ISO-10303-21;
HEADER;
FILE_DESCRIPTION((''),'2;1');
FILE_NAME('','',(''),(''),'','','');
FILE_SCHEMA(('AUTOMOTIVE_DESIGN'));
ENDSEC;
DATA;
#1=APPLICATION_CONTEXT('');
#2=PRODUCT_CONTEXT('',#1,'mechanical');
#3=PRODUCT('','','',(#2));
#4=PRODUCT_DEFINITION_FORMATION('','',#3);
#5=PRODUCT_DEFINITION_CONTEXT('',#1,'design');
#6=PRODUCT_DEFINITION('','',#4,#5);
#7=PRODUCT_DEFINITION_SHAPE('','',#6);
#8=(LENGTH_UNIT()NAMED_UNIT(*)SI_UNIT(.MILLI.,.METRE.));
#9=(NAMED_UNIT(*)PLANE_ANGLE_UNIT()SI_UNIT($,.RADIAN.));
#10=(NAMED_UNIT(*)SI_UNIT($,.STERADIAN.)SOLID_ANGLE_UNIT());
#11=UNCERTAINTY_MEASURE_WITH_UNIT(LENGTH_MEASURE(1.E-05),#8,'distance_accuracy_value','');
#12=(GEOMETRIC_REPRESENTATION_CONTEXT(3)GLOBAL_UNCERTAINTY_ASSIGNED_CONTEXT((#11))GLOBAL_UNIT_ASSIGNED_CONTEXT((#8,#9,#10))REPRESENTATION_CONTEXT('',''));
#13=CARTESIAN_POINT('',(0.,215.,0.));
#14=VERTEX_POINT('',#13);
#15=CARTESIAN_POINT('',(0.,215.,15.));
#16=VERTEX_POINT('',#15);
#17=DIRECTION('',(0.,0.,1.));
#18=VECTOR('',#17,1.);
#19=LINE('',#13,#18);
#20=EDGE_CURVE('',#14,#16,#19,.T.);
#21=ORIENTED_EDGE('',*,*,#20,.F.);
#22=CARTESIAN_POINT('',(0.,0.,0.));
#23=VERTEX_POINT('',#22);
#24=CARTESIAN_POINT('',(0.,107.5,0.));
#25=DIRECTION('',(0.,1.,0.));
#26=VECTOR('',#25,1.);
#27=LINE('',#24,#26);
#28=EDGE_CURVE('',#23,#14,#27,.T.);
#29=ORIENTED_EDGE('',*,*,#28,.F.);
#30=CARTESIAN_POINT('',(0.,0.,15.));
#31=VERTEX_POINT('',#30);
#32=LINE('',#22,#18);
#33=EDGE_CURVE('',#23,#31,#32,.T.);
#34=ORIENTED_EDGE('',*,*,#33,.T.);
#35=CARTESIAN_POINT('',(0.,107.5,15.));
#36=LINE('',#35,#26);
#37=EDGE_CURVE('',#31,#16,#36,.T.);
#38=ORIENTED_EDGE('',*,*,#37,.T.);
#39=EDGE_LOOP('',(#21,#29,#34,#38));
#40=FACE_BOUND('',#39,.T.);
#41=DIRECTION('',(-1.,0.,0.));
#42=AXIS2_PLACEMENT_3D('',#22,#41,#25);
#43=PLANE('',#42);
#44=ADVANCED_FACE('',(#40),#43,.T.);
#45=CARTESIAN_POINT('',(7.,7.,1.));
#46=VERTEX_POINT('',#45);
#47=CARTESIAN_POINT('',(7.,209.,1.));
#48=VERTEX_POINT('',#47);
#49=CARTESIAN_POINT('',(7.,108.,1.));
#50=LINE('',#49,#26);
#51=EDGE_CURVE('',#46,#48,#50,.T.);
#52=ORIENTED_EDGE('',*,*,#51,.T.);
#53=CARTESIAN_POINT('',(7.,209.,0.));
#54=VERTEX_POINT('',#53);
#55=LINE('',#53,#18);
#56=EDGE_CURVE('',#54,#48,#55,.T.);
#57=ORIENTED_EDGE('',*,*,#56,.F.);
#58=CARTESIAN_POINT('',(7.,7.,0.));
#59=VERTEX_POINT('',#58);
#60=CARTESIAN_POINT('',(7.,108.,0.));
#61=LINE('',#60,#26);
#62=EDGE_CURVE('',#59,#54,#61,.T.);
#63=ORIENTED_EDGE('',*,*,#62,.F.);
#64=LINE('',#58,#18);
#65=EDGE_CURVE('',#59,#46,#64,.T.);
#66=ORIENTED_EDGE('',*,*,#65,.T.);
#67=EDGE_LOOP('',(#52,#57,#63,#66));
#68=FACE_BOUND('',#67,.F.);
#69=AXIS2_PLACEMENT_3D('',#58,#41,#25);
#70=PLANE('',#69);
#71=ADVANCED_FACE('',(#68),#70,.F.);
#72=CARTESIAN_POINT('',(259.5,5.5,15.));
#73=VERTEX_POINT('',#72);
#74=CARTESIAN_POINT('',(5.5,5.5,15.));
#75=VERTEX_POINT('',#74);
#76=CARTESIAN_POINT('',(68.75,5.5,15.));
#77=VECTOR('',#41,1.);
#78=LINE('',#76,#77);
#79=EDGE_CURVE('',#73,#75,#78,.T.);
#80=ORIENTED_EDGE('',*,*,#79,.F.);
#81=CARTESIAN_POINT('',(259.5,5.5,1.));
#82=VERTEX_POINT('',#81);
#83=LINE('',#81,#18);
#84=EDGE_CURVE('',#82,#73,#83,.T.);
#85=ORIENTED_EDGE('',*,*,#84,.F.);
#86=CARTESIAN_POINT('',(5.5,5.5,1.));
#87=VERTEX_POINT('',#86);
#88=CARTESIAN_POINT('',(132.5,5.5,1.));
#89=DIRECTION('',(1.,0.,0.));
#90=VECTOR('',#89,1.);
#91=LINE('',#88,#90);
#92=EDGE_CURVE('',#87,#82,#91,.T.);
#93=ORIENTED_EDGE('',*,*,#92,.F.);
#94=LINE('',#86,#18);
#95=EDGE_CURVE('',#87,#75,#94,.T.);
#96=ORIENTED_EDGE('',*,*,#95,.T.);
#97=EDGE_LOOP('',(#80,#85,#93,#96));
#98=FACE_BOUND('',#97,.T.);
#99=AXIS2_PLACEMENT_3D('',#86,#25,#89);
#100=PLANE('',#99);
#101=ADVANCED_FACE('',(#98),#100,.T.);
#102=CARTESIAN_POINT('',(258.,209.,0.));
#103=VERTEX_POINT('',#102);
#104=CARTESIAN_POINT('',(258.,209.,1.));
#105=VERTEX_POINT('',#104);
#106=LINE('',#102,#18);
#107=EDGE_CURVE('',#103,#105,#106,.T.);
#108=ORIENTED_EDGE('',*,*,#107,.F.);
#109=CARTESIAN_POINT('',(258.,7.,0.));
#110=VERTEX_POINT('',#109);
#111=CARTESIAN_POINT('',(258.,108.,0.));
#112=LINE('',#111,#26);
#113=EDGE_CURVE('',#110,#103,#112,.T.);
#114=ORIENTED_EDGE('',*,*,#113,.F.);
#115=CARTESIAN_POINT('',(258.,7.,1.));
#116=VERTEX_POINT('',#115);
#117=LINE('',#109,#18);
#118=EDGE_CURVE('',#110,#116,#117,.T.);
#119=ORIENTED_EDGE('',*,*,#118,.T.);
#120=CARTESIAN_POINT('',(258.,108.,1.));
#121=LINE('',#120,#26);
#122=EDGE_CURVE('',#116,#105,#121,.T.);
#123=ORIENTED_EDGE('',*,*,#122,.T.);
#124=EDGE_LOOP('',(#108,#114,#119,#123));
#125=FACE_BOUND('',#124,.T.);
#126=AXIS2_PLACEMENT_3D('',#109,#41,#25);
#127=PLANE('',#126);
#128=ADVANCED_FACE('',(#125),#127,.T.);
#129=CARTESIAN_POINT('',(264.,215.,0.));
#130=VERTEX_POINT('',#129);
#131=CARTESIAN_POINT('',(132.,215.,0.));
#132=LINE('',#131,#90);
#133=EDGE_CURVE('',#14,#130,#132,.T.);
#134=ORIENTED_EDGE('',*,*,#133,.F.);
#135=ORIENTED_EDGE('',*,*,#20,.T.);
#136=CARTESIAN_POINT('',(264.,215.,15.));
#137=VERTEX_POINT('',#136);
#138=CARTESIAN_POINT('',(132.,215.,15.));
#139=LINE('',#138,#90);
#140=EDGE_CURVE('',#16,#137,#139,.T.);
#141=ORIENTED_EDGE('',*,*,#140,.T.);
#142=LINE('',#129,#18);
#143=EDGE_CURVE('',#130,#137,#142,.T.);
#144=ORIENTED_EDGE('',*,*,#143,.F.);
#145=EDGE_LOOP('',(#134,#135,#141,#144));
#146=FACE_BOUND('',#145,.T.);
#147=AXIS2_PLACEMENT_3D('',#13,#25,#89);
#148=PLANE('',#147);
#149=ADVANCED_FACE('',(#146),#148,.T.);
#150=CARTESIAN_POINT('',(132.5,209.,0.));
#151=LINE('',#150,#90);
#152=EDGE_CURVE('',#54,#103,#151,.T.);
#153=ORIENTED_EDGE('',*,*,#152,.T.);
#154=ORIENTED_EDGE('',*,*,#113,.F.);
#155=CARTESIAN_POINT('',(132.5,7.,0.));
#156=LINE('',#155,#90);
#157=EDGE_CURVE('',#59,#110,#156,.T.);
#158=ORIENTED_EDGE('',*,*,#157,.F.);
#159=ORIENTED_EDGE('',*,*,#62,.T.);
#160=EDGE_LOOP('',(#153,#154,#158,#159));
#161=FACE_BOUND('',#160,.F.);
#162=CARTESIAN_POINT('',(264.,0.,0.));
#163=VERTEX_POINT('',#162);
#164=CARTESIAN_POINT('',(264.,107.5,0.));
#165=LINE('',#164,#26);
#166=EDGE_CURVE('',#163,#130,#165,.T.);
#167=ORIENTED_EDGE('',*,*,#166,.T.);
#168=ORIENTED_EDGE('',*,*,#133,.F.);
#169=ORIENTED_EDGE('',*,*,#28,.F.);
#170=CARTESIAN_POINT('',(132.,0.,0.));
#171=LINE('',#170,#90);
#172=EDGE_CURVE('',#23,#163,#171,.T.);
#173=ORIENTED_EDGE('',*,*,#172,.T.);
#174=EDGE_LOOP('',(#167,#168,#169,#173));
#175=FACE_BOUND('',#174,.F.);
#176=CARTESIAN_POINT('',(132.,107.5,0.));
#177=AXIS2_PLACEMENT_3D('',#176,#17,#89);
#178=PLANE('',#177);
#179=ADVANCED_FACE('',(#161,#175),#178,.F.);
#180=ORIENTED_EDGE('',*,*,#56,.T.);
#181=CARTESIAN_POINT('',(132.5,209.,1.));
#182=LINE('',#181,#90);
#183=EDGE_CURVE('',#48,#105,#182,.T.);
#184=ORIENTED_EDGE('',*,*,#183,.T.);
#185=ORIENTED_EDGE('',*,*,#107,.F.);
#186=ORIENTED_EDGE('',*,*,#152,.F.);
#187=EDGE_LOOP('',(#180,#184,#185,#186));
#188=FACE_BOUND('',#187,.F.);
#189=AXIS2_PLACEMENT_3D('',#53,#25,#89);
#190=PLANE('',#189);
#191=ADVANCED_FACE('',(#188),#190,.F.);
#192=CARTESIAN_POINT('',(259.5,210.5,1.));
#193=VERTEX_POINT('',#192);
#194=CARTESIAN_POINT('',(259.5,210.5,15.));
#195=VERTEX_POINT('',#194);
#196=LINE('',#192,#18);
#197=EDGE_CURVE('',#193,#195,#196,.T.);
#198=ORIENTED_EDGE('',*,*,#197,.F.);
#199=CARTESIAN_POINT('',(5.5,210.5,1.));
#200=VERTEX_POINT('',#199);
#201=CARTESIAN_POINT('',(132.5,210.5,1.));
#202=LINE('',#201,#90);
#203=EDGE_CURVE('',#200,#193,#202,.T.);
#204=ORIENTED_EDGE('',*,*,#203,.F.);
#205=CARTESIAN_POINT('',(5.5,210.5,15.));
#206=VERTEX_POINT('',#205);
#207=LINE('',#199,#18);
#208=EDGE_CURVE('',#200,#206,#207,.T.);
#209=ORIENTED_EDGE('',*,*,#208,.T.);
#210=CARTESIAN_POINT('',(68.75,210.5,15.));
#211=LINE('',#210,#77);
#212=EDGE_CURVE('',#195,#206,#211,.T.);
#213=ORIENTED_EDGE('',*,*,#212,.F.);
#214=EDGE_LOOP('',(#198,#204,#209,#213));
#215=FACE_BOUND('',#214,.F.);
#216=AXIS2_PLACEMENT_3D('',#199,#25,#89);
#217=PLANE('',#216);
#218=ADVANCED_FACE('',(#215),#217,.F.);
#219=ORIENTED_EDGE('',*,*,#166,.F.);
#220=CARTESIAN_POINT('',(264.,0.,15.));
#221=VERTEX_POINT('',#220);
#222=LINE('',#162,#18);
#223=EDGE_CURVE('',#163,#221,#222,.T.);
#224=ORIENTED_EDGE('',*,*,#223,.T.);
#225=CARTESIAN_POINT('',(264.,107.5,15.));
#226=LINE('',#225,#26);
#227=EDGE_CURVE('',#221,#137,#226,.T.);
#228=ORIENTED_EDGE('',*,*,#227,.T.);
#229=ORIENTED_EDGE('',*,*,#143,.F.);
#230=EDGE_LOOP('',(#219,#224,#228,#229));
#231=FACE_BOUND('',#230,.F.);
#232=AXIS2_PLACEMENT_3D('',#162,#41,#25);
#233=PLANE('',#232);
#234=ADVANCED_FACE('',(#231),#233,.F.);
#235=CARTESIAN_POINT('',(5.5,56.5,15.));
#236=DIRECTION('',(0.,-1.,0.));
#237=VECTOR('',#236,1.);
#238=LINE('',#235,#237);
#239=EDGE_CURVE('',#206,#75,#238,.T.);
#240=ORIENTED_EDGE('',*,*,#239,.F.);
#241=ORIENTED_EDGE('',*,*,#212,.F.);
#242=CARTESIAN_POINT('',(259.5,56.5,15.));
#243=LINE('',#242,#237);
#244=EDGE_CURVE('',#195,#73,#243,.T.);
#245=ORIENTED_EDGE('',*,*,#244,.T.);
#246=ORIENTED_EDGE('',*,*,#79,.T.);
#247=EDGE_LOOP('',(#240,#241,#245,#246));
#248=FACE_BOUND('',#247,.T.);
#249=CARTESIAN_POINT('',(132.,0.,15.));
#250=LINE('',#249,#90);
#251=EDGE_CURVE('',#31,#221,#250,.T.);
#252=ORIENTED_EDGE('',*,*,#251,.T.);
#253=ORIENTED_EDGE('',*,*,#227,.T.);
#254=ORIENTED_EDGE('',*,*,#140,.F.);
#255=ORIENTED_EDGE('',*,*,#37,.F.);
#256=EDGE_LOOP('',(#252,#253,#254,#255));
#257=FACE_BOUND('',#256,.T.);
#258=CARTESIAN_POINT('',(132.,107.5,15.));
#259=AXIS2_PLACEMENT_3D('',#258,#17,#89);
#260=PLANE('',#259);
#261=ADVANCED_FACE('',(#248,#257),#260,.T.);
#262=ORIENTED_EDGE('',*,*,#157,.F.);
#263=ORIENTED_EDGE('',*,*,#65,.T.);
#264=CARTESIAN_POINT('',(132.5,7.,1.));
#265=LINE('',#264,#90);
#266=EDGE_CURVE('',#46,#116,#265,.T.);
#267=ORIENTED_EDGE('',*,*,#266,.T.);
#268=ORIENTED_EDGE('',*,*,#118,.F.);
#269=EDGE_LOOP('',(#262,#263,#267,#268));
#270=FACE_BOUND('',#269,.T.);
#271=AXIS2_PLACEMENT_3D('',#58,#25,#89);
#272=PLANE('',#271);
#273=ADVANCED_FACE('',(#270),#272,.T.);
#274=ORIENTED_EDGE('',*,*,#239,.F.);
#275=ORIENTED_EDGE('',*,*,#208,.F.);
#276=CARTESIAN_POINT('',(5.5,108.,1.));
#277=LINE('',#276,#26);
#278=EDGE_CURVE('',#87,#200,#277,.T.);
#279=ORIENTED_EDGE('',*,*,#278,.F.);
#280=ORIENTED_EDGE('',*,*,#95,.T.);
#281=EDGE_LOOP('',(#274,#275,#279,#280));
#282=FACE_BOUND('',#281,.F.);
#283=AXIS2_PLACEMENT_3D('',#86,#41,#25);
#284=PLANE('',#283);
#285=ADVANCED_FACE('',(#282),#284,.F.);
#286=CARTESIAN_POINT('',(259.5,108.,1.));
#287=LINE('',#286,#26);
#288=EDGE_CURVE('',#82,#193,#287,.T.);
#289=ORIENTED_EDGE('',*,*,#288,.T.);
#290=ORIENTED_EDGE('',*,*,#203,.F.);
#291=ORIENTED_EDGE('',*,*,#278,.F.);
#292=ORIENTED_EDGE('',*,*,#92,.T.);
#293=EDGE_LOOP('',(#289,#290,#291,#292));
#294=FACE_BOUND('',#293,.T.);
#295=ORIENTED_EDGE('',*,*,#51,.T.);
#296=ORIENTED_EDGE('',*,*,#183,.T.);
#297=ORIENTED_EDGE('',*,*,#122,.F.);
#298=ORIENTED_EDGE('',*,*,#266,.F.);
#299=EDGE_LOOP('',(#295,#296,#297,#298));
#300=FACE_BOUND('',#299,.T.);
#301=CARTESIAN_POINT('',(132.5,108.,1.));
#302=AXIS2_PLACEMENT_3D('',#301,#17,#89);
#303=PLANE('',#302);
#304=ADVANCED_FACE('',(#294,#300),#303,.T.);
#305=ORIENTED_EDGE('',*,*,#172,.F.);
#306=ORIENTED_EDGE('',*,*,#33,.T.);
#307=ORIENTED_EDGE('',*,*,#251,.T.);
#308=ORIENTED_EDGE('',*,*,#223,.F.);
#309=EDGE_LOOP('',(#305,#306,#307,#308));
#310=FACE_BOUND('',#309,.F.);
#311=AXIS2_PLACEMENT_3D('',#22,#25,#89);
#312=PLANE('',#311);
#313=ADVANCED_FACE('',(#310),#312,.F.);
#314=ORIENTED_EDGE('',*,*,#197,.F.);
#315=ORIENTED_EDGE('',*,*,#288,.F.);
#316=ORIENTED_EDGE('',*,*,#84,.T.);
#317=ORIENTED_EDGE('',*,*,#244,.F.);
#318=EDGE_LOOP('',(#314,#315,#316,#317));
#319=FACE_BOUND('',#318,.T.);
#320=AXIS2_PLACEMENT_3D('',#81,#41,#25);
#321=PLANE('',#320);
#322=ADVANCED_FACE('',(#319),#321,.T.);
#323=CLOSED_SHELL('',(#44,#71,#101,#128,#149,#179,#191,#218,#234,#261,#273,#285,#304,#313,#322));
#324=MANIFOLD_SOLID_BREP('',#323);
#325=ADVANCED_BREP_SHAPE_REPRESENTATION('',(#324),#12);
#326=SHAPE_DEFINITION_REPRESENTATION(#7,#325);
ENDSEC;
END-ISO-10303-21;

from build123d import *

# Parameters (mm, degrees)
BOX005_W     = 251
BOX005_H     = 202
BOX005_DEPTH = 1
BOX004_W     = 254
BOX004_H     = 205
BOX004_DEPTH = 16
BOX003_W     = 264
BOX003_H     = 215
BOX003_DEPTH = 15


with BuildPart() as framecutout2:
    # Box005 → Box005 (new body)
    with BuildSketch(Plane(origin=(7, 7, 0), x_dir=(1, 0, 0), z_dir=(0, 0, 1))):
        with Locations((125.5, 101)):
            Rectangle(BOX005_W, BOX005_H)
    extrude(amount=BOX005_DEPTH)


with BuildPart() as framecutout1:
    # Box004 → Box004 (new body)
    with BuildSketch(Plane(origin=(5.5, 5.5, 1), x_dir=(1, 0, 0), z_dir=(0, 0, 1))):
        with Locations((127, 102.5)):
            Rectangle(BOX004_W, BOX004_H)
    extrude(amount=BOX004_DEPTH)


with BuildPart() as frame_model:
    # Box003 → Box003 (new body)
    with BuildSketch(Plane.XY):
        with Locations((132, 107.5)):
            Rectangle(BOX003_W, BOX003_H)
    extrude(amount=BOX003_DEPTH)

    # Cut: cut FrameCutOut1
    add(framecutout1.part, mode=Mode.SUBTRACT)

    # Cut001: cut FrameCutOut2
    add(framecutout2.part, mode=Mode.SUBTRACT)


solid = frame_model.part
